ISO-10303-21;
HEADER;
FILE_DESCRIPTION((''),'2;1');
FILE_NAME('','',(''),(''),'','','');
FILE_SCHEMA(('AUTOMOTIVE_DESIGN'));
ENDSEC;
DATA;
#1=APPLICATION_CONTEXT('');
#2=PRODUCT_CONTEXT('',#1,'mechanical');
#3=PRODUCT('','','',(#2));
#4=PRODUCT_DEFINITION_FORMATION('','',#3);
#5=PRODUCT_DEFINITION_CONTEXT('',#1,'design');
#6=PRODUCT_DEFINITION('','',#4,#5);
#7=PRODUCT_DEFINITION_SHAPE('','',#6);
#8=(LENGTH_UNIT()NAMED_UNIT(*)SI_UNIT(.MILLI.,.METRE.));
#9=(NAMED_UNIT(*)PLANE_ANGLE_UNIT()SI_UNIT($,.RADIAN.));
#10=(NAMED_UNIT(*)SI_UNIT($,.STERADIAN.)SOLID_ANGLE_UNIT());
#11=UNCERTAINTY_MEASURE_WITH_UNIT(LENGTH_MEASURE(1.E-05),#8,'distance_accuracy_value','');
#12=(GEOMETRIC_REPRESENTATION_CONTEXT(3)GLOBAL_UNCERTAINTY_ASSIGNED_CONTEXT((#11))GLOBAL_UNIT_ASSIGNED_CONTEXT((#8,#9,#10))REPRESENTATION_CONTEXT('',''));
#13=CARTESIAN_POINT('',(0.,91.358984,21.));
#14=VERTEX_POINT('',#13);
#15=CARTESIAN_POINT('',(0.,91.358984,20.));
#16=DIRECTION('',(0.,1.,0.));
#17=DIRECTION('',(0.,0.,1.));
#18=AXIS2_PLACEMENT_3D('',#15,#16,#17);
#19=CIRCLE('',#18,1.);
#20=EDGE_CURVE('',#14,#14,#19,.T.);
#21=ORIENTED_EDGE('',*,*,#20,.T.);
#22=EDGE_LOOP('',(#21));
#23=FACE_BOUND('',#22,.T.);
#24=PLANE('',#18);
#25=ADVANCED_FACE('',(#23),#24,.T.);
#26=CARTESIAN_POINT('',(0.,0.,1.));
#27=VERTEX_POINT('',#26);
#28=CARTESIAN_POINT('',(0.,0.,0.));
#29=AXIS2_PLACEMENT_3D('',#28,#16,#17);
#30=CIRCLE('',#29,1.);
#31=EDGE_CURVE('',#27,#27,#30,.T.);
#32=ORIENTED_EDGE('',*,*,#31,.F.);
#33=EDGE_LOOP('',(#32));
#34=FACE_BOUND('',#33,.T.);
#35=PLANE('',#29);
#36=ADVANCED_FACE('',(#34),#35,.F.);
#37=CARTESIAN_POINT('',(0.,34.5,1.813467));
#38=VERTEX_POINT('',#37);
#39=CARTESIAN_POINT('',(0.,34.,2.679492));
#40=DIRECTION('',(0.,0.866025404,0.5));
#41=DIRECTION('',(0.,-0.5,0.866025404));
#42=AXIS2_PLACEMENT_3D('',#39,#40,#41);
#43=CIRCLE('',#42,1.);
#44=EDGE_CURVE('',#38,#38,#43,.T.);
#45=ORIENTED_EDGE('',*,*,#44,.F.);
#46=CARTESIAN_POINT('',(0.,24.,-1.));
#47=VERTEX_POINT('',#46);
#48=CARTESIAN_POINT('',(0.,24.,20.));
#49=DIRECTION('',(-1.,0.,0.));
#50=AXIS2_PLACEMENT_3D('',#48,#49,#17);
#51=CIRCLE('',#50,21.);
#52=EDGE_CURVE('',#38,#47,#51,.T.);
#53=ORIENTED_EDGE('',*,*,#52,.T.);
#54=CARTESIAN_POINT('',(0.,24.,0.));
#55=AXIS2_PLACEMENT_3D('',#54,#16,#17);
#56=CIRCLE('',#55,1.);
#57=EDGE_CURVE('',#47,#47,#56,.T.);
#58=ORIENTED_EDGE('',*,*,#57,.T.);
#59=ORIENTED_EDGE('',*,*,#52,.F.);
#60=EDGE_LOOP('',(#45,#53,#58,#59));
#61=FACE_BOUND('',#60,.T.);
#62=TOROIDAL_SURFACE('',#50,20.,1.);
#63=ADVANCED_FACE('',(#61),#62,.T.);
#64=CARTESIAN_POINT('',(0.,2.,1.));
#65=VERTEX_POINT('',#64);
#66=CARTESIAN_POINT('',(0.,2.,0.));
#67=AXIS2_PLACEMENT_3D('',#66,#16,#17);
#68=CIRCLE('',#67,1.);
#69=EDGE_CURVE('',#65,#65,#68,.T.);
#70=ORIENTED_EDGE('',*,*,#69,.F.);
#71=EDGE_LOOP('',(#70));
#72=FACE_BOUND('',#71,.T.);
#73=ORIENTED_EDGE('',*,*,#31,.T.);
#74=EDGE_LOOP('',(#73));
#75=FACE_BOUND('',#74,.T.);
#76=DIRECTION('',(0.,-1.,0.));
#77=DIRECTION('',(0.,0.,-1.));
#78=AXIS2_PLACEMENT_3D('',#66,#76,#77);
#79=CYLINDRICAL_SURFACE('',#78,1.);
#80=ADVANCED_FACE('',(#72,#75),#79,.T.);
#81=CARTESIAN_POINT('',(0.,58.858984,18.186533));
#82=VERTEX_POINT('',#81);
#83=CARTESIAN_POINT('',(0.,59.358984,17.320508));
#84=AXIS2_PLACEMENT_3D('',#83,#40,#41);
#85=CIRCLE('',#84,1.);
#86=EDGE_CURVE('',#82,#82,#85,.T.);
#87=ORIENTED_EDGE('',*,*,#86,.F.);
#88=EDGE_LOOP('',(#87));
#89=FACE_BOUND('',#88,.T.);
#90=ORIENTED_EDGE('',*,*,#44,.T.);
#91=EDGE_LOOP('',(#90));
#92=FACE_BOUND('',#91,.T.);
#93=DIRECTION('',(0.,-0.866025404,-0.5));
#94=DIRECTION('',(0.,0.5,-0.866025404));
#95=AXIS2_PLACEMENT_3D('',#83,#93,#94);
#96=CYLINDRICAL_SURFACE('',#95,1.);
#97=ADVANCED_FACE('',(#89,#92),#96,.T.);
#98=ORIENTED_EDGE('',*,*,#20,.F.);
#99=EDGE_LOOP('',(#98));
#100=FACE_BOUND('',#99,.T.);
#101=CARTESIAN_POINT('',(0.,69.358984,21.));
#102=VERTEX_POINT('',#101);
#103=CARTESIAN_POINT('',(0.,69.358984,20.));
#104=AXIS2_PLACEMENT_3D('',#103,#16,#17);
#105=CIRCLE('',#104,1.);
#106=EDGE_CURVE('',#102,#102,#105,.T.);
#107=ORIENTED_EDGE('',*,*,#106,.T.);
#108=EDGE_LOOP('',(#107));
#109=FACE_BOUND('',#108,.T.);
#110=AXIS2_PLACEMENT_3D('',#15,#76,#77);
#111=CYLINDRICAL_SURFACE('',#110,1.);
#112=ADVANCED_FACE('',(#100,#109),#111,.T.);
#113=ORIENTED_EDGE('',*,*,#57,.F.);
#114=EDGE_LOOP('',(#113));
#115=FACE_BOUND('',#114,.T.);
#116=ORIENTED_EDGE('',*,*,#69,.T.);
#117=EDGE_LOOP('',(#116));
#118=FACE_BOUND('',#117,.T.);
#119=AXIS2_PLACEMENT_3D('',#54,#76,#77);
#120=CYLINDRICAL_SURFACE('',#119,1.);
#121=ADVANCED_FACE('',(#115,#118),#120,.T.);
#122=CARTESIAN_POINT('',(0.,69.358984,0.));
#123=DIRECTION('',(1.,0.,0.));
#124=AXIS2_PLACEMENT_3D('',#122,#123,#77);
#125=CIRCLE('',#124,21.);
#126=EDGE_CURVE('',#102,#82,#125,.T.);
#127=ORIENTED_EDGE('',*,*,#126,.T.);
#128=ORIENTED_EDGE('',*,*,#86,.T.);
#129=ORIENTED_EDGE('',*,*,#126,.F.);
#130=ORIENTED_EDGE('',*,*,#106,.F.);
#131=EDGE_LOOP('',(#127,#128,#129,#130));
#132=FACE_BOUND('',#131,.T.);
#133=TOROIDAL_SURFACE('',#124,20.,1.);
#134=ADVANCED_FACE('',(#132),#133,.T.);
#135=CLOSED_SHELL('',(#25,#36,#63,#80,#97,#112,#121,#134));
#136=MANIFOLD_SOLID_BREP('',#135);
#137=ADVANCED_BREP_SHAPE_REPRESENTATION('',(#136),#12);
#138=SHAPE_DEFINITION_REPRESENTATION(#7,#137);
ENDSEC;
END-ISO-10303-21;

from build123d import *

# Parameters (mm, degrees)
SWEEP1_PROFILE_R = 1


with BuildPart() as part:
    # Sweep1: sweep along a path in Sketch2
    with BuildLine(Plane(origin=(0, 0, 0), x_dir=(0, 0, -1), z_dir=(1, 0, 0))) as sweep1_path:
        Line((-20, 91.358983849), (-20, 69.358983849))
        ThreePointArc((-20, 69.358983849), (-19.318516526, 64.182602947), (-17.320508076, 59.358983849))
        Line((-17.320508076, 59.358983849), (-2.679491924, 34))
        ThreePointArc((-2.679491924, 34), (-0.681483474, 29.176380902), (0, 24))
        Line((0, 24), (0, 2))
        Line((0, 2), (0, 0))
    # Sweep1 profile (on start of the path) → Sweep1 (sweep)
    with BuildSketch(Plane(origin=(0, 91.358983849, 20), x_dir=(0, 0, -1), z_dir=(0, -1, 0))):
        Circle(SWEEP1_PROFILE_R)
    sweep(path=sweep1_path.line)


solid = part.part
